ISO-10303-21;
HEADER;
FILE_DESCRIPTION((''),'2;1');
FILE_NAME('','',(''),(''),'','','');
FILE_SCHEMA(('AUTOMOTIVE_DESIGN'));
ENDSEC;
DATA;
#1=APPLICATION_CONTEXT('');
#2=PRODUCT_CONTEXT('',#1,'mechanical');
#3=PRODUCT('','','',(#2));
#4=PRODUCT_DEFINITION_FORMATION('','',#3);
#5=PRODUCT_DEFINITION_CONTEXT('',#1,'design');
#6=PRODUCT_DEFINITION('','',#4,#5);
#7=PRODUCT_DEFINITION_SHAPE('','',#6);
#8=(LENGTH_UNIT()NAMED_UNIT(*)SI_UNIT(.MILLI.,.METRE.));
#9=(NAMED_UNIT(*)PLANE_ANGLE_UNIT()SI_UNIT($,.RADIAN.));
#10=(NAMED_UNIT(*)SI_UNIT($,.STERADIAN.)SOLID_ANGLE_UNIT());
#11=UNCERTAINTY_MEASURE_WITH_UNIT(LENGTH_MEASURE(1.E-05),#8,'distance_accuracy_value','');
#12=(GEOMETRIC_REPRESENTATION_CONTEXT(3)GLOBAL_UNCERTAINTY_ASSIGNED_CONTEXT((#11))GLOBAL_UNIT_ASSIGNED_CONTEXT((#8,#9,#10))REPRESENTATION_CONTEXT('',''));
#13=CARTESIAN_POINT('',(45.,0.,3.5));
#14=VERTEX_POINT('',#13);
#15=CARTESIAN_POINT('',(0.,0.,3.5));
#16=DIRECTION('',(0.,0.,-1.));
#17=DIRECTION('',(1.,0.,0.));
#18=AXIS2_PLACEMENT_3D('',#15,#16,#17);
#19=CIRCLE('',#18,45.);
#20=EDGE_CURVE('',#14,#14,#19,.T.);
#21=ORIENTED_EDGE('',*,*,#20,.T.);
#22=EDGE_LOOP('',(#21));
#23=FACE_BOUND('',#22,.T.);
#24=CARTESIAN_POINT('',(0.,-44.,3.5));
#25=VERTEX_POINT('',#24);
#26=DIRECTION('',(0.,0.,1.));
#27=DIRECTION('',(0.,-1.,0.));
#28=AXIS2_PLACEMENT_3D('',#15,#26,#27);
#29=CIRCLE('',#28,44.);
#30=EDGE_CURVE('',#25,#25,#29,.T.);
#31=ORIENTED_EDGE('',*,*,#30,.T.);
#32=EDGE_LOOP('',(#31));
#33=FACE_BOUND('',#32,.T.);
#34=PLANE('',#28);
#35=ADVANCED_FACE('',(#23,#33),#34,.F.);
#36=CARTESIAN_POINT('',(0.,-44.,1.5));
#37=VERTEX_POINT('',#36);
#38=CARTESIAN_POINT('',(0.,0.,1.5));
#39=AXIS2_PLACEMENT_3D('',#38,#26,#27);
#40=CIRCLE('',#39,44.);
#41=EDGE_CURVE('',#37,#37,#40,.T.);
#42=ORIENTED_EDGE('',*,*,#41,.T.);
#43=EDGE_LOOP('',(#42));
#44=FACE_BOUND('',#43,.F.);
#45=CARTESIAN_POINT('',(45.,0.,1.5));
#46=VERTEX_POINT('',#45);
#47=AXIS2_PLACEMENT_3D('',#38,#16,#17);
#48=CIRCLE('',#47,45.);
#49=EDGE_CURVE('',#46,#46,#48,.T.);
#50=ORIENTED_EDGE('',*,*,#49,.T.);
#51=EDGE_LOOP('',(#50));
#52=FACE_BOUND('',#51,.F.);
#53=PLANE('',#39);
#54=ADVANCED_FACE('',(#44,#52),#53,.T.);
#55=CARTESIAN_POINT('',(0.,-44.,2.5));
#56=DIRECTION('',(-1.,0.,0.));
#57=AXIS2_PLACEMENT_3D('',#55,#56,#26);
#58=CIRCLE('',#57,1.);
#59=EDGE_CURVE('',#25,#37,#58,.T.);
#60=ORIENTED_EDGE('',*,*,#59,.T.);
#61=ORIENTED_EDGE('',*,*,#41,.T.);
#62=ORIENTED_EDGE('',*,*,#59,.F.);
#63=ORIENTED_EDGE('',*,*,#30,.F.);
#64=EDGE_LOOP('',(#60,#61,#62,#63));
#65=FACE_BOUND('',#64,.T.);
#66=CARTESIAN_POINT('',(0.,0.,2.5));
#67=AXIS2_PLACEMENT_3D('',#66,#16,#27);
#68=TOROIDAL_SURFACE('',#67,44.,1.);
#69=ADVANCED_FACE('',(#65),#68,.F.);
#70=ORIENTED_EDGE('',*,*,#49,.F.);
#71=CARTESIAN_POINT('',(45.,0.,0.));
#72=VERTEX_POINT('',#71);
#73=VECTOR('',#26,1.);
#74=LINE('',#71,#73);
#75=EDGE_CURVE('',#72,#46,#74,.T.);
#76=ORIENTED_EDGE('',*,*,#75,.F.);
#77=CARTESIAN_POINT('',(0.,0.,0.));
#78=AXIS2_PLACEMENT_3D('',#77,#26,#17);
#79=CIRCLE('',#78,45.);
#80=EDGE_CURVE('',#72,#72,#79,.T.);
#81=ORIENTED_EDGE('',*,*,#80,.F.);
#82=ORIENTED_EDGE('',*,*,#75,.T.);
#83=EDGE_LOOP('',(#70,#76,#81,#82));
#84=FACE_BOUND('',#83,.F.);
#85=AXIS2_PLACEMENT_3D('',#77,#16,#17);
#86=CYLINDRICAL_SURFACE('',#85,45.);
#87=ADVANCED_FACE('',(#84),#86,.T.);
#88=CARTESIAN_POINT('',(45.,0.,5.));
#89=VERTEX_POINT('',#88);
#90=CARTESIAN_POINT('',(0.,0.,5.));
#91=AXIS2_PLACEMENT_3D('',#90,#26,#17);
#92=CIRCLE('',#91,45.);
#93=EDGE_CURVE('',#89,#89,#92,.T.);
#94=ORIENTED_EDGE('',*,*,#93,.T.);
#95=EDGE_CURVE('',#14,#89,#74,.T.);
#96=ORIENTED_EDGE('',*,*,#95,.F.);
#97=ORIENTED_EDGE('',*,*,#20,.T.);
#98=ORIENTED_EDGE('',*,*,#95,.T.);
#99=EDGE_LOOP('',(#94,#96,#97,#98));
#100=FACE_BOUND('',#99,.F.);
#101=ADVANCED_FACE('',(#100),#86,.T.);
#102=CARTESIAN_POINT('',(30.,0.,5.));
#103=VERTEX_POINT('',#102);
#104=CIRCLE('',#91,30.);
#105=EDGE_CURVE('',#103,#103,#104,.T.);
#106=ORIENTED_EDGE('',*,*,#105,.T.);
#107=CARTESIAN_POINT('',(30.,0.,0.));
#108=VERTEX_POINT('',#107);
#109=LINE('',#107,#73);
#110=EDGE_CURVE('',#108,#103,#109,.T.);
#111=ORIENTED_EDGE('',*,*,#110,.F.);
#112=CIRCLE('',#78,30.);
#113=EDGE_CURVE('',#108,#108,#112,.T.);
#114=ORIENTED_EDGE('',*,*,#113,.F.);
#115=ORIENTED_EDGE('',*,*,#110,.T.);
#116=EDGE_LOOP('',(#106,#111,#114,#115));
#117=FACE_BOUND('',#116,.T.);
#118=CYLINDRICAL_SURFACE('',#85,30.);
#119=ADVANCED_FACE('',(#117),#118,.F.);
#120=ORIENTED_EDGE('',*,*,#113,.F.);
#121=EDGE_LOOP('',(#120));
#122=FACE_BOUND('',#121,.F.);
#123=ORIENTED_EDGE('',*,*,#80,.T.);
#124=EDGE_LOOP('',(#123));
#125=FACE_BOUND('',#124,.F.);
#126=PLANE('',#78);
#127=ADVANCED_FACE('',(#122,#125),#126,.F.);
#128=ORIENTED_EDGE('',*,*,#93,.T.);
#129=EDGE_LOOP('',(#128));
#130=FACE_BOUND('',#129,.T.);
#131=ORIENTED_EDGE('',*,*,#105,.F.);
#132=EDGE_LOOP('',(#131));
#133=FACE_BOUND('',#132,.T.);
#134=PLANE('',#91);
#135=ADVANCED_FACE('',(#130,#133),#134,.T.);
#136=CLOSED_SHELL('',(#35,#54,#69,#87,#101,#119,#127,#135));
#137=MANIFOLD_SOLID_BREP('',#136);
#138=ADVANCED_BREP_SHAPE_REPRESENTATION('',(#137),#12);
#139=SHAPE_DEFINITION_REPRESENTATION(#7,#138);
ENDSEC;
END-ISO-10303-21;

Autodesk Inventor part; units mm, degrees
ref_plane "YZ Plane" through (0, 0, 0) normal (1, 0, 0) x (0, 1, 0)
ref_plane "XZ Plane" through (0, 0, 0) normal (0, 1, 0) x (-1, 0, 0)
ref_plane "XY Plane" through (0, 0, 0) normal (0, 0, 1) x (1, 0, 0)
sketch "Эскиз1" plane through (0, 0, 0) normal (0, 0, 1) x (1, 0, 0)
  circle A0 centre (0, 0) radius 30
  circle A1 centre (0, 0) radius 45
  dimension "d0" = 60
  dimension "d1" = 90
extrude "Выдавливание1" add sketch "Эскиз1" along normal blind 5
sketch "Эскиз2" plane through (0, 0, 0) normal (1, 0, 0) x (0, 1, 0)
  line L0 (-45, 0) -> (-45, 5) projected
  line L1 (0, -0.8) -> (0, 4.8) projected
  line L2 (-45, 0) -> (-45, 5) projected
  line L3 (-45, 2.5) -> (-44, 2.5)
  circle A0 centre (-44, 2.5) radius 1
  line L4 (-44, 3.5) -> (-45, 3.5)
  line L5 (-44, 1.5) -> (-45, 1.5)
  line L6 (-45, 0) -> (-45, 5) projected
  point P0 (0, 0)
  dimension "d6" = 1
  dimension "d7" = 2
revolve "Вращение1" cut sketch "Эскиз2" angle 360 about axis through (0, 0, -10) along (0, 0, 1)
properties part number "Кольцо сальника_CPY" material "Сталь, легированная"
